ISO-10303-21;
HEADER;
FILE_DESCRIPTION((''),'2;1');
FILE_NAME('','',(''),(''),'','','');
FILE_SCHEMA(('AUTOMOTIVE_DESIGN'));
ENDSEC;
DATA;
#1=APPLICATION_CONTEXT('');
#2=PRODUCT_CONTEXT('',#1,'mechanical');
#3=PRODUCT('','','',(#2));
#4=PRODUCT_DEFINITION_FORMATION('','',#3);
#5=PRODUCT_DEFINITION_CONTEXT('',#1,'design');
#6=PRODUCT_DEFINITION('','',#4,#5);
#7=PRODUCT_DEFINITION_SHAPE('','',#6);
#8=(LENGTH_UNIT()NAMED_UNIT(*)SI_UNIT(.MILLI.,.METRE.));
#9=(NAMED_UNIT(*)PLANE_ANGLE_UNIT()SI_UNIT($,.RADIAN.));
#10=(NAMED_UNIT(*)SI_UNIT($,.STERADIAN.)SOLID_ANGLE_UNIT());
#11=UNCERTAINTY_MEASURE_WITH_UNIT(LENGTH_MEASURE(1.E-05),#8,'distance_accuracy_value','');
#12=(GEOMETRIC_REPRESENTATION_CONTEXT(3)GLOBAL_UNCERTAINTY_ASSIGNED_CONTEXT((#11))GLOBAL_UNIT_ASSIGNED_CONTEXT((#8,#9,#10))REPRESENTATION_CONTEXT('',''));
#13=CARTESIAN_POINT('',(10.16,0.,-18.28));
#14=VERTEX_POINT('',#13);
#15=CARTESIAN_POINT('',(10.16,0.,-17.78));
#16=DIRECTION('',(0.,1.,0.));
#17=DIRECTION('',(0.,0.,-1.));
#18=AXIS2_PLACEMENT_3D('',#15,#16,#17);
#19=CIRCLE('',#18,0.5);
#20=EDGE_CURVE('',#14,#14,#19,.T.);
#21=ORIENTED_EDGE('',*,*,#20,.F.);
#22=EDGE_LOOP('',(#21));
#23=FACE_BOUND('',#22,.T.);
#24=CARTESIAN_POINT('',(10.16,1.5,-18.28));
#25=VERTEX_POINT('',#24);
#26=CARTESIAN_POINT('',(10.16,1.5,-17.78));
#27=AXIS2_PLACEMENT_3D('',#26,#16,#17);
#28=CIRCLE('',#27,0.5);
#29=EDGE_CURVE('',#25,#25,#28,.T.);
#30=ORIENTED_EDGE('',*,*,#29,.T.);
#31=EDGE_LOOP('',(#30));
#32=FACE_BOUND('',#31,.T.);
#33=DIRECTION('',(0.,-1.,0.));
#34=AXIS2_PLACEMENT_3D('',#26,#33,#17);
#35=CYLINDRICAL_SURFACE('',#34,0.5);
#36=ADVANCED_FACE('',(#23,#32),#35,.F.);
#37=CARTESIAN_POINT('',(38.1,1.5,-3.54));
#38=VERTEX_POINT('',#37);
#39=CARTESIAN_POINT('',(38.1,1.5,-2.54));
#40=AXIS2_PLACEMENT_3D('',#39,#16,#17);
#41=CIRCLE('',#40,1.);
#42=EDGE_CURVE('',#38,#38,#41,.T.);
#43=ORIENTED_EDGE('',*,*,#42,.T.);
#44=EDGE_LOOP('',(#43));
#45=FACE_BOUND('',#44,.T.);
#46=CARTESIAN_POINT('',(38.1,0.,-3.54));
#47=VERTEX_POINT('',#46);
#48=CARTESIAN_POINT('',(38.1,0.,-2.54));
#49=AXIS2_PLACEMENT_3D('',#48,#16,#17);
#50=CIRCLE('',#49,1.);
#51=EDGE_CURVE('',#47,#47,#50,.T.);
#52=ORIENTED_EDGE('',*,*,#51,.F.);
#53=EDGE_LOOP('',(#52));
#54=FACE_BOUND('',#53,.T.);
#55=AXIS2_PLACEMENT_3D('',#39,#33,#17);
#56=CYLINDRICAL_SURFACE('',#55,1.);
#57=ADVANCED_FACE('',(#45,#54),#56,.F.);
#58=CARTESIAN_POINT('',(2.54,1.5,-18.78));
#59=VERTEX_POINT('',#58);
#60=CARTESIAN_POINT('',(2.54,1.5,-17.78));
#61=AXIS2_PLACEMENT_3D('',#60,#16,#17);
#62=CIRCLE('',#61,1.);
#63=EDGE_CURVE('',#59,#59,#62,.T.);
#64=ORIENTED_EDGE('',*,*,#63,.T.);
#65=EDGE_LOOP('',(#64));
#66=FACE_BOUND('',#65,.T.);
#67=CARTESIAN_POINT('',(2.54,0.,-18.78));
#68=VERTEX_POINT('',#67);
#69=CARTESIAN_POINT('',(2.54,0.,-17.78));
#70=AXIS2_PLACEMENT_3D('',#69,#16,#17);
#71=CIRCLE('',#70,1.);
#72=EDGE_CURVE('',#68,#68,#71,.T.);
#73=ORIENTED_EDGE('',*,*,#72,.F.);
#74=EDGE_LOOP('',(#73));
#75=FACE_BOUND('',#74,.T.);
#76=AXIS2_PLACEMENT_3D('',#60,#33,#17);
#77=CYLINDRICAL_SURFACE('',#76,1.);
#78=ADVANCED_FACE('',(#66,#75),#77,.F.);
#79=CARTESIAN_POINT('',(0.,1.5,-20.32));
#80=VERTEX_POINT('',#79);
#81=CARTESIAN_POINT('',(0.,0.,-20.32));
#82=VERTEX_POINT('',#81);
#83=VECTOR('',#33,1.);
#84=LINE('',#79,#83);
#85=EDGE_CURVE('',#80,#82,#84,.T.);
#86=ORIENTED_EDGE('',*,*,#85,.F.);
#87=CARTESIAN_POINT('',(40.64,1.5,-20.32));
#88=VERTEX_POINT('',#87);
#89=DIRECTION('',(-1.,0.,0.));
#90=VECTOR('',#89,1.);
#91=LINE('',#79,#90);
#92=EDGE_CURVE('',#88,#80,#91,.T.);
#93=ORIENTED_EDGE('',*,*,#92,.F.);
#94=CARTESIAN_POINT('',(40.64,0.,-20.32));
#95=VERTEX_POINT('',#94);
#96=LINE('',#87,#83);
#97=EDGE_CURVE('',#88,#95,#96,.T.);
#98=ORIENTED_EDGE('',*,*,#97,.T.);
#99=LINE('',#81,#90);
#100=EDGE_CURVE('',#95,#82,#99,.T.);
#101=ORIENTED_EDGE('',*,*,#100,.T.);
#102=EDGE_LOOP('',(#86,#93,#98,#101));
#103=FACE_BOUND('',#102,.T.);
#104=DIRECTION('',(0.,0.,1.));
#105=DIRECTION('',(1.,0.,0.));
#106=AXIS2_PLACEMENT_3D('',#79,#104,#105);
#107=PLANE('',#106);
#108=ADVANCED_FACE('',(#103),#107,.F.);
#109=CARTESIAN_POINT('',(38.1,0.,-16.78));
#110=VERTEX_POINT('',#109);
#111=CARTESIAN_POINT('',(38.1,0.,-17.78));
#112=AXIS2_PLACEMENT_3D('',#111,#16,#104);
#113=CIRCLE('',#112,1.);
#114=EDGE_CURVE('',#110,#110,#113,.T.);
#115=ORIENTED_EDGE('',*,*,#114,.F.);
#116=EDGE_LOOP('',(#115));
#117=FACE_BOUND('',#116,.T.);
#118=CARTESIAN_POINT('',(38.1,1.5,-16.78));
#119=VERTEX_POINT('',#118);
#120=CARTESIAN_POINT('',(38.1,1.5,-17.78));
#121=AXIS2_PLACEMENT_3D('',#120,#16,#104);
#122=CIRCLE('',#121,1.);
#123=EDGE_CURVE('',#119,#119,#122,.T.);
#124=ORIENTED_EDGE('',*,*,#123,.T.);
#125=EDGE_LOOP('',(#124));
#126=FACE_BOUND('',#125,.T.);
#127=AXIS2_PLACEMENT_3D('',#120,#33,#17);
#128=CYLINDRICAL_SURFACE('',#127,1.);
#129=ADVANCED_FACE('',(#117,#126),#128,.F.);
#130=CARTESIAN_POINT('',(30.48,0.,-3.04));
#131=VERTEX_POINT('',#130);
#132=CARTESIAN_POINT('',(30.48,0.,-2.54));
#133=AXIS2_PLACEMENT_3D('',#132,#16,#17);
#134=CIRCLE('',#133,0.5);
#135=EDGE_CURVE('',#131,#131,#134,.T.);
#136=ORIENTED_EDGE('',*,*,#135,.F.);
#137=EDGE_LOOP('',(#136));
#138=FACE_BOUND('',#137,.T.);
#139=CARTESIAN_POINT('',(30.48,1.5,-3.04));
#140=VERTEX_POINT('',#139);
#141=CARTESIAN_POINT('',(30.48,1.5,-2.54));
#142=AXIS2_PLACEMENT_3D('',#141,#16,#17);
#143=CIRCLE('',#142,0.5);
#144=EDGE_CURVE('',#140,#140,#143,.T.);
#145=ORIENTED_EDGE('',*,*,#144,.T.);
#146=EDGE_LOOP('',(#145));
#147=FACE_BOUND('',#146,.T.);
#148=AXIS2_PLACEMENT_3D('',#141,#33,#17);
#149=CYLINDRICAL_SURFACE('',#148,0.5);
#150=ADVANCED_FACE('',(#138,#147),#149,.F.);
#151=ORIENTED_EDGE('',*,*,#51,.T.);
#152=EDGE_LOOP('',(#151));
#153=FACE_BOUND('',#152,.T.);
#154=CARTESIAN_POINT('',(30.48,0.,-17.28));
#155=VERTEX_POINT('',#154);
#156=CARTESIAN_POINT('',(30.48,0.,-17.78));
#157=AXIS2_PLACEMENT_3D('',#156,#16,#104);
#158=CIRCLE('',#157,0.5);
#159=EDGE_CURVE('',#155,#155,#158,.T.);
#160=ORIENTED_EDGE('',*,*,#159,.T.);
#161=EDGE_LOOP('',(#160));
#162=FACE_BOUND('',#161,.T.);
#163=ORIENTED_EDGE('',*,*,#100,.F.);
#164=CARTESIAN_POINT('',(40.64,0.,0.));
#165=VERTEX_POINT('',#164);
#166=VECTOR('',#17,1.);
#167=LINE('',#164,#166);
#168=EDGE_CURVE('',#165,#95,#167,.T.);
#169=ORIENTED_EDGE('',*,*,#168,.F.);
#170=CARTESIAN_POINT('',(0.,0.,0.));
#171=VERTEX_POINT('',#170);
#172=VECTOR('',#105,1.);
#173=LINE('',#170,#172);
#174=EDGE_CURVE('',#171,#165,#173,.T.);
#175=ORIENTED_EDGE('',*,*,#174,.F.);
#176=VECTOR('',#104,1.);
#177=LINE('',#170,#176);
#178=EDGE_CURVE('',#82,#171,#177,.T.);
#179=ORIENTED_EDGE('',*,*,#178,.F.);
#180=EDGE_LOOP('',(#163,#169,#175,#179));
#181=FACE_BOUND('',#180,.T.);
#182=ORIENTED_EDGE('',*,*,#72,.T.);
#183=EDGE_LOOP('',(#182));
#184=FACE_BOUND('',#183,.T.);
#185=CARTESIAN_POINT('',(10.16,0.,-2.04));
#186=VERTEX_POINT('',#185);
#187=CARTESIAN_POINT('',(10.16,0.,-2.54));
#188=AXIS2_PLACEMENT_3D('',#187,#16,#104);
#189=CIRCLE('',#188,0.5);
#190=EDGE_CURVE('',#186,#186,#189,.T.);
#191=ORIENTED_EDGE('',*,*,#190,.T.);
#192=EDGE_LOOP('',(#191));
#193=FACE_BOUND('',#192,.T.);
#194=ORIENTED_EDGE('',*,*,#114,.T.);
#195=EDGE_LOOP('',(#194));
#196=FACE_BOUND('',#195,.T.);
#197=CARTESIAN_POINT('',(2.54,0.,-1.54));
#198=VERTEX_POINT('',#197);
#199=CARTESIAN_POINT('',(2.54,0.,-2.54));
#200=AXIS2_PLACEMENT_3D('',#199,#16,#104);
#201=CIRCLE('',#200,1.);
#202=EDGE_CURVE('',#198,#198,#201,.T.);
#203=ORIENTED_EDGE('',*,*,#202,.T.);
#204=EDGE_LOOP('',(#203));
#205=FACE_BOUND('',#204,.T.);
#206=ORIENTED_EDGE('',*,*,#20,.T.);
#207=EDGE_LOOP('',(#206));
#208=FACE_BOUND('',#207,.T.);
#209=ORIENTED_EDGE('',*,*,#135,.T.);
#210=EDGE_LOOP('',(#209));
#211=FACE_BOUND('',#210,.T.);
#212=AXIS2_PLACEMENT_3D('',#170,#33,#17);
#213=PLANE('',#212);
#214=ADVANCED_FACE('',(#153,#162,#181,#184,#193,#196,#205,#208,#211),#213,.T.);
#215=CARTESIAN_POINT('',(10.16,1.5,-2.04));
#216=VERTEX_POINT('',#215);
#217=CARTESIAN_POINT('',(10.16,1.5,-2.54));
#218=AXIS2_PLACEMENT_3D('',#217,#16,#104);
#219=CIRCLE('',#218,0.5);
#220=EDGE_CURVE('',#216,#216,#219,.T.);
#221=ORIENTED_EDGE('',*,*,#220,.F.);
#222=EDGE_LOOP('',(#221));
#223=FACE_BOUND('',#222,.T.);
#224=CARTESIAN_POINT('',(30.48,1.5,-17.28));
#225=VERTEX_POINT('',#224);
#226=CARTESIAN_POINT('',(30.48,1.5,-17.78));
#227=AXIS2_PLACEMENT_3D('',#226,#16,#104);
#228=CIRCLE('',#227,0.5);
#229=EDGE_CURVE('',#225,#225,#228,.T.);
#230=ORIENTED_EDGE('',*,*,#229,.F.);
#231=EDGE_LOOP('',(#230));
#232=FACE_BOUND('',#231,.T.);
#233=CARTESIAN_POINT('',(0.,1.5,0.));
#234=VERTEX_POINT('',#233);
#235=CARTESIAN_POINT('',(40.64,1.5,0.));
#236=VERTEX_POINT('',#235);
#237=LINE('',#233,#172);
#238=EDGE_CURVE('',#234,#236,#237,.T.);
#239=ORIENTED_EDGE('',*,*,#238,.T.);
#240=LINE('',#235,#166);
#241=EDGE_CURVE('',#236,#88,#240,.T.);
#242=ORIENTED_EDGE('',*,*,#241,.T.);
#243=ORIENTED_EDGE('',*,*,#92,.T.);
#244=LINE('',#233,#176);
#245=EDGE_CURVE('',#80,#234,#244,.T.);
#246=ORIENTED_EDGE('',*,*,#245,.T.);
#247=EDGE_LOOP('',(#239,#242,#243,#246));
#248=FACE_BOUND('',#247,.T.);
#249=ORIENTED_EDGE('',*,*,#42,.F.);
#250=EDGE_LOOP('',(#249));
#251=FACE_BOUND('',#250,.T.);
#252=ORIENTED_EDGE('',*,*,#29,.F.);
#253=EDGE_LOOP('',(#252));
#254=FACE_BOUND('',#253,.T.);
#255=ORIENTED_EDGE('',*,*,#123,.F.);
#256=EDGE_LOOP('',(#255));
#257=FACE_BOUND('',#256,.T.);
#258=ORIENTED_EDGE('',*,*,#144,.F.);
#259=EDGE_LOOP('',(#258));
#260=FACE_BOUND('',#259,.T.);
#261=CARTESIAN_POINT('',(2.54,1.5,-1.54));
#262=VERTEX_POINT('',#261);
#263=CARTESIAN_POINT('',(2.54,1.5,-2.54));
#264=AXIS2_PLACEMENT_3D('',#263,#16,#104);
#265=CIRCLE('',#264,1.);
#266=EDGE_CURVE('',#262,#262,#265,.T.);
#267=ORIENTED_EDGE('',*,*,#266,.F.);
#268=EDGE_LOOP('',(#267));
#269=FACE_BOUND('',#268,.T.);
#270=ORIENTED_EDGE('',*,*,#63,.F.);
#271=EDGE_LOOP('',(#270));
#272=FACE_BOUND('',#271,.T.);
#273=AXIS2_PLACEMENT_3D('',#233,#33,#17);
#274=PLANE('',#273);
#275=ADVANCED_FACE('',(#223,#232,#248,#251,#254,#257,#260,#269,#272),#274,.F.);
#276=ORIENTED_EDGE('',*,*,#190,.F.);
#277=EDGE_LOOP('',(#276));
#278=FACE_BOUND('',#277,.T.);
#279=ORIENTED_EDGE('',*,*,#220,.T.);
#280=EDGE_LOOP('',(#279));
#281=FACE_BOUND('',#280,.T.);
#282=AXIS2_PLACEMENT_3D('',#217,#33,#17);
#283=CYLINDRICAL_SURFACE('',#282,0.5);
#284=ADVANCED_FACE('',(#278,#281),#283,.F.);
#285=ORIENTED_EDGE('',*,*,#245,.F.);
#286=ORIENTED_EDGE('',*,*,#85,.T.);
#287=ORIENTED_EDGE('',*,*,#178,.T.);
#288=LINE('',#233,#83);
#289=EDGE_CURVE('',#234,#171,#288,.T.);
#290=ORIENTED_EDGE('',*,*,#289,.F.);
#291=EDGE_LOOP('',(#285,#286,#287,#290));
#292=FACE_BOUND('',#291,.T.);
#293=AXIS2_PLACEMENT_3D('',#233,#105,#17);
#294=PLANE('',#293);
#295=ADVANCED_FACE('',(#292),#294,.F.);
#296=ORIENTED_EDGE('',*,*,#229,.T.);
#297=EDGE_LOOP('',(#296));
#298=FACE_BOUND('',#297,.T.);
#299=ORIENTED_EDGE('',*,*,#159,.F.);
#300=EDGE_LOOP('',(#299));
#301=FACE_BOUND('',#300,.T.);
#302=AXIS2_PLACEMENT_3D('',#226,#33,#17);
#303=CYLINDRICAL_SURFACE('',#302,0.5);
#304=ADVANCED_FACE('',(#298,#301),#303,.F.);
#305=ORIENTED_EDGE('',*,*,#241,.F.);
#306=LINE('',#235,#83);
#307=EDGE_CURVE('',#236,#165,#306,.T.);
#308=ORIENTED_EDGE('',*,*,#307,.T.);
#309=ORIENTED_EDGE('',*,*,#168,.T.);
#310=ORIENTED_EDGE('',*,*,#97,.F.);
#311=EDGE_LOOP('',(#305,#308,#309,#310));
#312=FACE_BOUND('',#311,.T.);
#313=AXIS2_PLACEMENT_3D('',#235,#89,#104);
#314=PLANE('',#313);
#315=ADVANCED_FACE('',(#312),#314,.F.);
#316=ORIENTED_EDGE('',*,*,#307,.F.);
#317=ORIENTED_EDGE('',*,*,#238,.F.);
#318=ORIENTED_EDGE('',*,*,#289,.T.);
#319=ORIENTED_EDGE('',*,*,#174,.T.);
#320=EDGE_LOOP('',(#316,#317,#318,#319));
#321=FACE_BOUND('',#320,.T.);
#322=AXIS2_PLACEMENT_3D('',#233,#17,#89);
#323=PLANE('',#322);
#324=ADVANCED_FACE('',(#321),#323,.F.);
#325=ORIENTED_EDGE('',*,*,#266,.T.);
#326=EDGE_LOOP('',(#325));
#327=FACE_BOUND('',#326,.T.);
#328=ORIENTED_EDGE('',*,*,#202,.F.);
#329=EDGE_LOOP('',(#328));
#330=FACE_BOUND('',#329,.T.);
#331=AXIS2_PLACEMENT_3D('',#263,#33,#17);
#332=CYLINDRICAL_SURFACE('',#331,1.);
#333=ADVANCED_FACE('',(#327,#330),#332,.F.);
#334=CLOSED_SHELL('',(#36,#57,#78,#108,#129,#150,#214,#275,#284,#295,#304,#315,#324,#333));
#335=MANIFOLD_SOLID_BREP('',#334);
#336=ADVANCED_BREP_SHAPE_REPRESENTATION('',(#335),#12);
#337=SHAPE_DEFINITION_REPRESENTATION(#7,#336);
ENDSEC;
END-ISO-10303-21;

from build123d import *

# Parameters (mm, degrees)
SKETCH1_W           = 40.64
SKETCH1_H           = 20.32
SKETCH1_R           = 1
SKETCH1_R_2         = 0.5
BOSS_EXTRUDE1_DEPTH = 1.5


with BuildPart() as part:
    # Sketch1 → Boss-Extrude1 (new body)
    with BuildSketch(Plane(origin=(0, 0, 0), x_dir=(1, 0, 0), z_dir=(0, 1, 0))):
        with Locations((20.32, 10.16)):
            Rectangle(SKETCH1_W, SKETCH1_H)
        with Locations(Location((2.54, 2.54, 0), (0, 0, 270))):  # turned: the seam where the file's is
            Circle(SKETCH1_R, mode=Mode.SUBTRACT)
        with Locations(Location((38.1, 2.54, 0), (0, 0, 90))):  # turned: the seam where the file's is
            Circle(SKETCH1_R, mode=Mode.SUBTRACT)
        with Locations(Location((38.1, 17.78, 0), (0, 0, 270))):  # turned: the seam where the file's is
            Circle(SKETCH1_R, mode=Mode.SUBTRACT)
        with Locations(Location((2.54, 17.78, 0), (0, 0, 90))):  # turned: the seam where the file's is
            Circle(SKETCH1_R, mode=Mode.SUBTRACT)
        with Locations(Location((10.16, 2.54, 0), (0, 0, 270))):  # turned: the seam where the file's is
            Circle(SKETCH1_R_2, mode=Mode.SUBTRACT)
        with Locations(Location((10.16, 17.78, 0), (0, 0, 90))):  # turned: the seam where the file's is
            Circle(SKETCH1_R_2, mode=Mode.SUBTRACT)
        with Locations(Location((30.48, 2.54, 0), (0, 0, 90))):  # turned: the seam where the file's is
            Circle(SKETCH1_R_2, mode=Mode.SUBTRACT)
        with Locations(Location((30.48, 17.78, 0), (0, 0, 270))):  # turned: the seam where the file's is
            Circle(SKETCH1_R_2, mode=Mode.SUBTRACT)
    extrude(amount=BOSS_EXTRUDE1_DEPTH)


solid = part.part
